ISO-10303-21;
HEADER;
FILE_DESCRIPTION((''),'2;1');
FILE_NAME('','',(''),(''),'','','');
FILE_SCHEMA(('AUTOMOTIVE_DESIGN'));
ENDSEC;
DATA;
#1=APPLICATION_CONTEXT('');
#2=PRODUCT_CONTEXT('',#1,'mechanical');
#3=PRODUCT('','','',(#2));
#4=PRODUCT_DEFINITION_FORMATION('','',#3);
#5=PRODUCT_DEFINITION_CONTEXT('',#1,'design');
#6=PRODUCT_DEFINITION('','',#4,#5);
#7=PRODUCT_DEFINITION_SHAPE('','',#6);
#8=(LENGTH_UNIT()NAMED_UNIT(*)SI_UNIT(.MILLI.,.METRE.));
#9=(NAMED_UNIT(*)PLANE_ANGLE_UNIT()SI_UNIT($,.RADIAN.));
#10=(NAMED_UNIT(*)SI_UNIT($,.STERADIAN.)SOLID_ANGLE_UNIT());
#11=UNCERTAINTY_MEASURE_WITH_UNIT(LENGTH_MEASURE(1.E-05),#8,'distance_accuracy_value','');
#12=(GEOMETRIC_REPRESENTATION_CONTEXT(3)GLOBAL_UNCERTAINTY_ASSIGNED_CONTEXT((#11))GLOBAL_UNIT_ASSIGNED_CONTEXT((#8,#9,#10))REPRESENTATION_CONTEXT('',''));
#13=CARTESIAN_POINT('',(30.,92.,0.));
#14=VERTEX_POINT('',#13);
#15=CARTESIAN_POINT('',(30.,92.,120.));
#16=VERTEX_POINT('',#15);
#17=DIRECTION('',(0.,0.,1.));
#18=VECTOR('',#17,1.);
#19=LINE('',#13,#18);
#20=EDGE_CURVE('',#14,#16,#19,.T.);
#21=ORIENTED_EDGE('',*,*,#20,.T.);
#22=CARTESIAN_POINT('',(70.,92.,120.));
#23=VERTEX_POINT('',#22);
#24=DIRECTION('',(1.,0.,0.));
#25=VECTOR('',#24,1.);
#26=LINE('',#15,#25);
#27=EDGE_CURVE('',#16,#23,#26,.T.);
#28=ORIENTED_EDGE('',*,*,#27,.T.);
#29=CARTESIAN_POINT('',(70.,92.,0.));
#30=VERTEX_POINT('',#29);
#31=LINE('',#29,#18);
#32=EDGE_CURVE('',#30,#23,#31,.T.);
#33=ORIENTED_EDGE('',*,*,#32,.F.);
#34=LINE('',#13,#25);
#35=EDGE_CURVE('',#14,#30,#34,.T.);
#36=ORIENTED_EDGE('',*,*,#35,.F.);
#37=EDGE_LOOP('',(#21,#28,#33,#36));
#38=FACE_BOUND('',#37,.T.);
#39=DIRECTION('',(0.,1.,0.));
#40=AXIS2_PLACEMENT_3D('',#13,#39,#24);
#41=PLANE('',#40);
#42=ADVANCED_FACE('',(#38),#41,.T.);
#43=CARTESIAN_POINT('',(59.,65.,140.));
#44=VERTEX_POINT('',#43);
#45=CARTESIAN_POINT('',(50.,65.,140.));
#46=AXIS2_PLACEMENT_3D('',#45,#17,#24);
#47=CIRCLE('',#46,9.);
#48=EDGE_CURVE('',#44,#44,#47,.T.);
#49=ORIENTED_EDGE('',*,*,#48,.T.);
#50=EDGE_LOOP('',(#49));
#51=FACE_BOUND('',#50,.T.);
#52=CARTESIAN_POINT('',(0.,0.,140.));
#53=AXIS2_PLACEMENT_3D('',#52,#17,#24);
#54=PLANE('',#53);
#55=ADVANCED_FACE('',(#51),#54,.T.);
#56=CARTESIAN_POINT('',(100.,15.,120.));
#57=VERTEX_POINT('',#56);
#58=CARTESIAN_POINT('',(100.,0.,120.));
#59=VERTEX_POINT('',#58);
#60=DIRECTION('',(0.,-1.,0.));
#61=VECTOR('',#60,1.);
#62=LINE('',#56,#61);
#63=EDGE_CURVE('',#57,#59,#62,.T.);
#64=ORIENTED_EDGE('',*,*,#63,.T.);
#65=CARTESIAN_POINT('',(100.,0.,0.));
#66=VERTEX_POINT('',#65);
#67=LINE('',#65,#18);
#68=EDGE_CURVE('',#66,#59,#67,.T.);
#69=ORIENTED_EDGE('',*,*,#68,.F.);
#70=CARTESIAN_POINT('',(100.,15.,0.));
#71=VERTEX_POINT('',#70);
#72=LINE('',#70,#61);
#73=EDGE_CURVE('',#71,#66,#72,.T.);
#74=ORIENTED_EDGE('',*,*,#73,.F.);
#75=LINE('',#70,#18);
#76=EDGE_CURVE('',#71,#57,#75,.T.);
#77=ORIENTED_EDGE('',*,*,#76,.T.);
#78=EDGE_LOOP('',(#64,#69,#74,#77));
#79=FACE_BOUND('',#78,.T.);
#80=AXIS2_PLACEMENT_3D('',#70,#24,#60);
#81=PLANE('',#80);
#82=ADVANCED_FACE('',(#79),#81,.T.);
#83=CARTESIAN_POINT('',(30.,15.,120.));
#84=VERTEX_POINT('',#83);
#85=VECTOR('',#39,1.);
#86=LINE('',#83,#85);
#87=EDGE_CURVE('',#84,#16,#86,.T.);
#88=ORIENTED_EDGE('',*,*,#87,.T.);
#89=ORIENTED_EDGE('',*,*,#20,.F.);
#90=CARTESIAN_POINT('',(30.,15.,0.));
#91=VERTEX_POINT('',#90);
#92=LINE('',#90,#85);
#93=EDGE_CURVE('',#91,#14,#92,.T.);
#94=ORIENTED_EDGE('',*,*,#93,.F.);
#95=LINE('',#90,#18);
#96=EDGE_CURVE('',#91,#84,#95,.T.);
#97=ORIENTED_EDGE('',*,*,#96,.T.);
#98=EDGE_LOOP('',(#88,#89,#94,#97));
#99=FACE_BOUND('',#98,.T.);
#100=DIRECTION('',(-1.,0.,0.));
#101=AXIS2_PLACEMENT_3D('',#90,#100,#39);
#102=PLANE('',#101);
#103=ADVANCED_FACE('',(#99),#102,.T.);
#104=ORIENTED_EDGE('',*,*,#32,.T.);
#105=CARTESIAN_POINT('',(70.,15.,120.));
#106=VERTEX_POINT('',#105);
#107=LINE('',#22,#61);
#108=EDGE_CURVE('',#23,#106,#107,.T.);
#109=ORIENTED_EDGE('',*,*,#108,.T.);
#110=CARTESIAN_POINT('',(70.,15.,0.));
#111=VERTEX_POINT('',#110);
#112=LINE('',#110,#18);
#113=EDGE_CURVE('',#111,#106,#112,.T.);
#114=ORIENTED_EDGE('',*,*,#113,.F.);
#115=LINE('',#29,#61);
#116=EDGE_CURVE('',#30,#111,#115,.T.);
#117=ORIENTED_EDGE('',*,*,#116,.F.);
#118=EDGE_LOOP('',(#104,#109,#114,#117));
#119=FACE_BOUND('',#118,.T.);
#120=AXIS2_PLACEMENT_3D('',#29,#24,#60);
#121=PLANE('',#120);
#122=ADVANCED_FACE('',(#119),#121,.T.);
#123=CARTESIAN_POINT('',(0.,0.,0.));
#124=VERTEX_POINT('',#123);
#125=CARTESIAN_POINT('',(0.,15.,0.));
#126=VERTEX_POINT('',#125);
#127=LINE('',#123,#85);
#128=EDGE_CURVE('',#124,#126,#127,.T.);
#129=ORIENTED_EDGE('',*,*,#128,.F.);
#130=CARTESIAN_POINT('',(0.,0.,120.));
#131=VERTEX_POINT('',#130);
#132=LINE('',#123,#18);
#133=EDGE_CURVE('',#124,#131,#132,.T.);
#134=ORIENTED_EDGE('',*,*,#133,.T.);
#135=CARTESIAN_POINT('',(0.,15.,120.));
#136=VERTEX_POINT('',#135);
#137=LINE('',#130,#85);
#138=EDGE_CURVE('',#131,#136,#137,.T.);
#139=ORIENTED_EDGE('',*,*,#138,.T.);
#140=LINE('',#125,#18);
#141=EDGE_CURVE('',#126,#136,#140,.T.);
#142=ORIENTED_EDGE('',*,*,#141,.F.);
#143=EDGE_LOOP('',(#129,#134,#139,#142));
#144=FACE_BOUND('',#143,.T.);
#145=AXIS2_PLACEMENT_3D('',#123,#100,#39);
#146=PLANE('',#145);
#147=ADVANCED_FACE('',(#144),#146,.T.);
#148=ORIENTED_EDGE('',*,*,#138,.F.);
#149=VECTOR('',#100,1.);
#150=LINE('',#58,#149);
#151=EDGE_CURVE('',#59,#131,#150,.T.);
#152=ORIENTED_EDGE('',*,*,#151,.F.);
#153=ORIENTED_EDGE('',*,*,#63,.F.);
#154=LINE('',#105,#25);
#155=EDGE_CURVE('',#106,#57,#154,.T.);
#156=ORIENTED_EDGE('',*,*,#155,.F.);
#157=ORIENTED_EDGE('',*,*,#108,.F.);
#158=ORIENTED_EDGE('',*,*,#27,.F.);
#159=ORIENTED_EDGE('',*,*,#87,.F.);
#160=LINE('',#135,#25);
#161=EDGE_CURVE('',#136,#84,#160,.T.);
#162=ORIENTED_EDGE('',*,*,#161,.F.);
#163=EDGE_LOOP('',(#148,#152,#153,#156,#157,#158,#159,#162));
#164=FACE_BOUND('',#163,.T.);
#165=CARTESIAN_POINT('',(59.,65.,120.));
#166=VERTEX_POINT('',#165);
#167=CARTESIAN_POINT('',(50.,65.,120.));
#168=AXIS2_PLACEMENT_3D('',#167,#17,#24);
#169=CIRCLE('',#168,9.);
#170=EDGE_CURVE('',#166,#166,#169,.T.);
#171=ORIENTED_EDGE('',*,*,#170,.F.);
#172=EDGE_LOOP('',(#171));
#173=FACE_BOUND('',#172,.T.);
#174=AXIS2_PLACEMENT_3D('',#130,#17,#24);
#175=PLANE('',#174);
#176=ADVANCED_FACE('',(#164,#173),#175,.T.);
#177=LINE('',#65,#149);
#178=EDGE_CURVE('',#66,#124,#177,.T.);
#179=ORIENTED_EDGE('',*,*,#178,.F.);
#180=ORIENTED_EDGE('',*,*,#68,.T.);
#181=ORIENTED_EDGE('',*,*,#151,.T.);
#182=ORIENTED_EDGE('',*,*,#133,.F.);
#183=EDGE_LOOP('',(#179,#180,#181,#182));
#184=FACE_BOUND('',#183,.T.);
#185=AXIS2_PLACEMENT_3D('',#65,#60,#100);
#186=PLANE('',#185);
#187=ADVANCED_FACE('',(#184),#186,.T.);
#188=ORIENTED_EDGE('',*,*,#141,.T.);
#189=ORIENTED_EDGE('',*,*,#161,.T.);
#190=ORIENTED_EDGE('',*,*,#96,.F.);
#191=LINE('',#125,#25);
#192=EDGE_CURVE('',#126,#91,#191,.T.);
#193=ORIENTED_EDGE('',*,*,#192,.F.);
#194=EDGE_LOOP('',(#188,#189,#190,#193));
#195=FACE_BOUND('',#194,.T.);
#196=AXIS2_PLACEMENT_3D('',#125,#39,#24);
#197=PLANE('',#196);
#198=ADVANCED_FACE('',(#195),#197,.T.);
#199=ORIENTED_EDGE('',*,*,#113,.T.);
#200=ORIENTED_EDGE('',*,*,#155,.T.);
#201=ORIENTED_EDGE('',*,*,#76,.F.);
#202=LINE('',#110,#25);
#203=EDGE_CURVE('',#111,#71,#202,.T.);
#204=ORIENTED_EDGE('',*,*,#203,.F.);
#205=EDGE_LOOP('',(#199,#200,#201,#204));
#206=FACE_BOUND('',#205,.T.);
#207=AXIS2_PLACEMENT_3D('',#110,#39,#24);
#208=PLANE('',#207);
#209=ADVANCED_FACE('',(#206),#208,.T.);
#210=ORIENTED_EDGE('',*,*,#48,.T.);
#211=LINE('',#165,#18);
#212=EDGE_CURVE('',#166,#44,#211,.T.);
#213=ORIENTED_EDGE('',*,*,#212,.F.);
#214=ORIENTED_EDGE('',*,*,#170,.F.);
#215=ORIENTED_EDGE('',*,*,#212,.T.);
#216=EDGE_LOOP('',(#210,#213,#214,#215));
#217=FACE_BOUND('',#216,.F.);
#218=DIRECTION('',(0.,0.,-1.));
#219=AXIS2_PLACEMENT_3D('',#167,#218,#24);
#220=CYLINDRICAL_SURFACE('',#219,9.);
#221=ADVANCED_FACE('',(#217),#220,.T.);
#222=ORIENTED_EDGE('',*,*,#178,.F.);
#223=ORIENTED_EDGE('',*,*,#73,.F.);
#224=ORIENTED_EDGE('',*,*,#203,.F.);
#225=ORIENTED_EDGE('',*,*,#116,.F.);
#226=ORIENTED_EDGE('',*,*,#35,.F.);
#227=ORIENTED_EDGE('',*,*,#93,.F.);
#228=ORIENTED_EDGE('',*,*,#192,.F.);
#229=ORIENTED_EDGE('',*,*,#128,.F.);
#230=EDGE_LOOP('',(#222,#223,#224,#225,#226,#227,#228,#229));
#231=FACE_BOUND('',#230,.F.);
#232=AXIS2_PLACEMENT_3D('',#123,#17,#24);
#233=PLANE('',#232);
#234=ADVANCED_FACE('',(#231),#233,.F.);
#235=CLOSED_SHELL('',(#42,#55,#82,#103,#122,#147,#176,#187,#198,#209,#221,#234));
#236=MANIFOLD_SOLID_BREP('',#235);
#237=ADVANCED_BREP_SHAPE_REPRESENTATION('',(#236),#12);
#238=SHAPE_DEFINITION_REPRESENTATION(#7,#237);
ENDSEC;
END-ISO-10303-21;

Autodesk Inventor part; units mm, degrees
ref_plane "YZ Plane" through (0, 0, 0) normal (1, 0, 0) x (0, 1, 0)
ref_plane "XZ Plane" through (0, 0, 0) normal (0, 1, 0) x (-1, 0, 0)
ref_plane "XY Plane" through (0, 0, 0) normal (0, 0, 1) x (1, 0, 0)
sketch "Sketch1" plane through (0, 0, 0) normal (0, 0, 1) x (1, 0, 0)
  line L0 (0, 0) -> (0, 15)
  line L1 (0, 15) -> (30, 15)
  line L2 (30, 15) -> (30, 92)
  line L3 (30, 92) -> (70, 92)
  line L4 (70, 92) -> (70, 15)
  line L5 (70, 15) -> (100, 15)
  line L6 (100, 15) -> (100, 0)
  line L7 (100, 0) -> (0, 0)
  dimension "d0" = 15
  dimension "d1" = 92
  dimension "d2" = 40
  dimension "d3" = 100
extrude "Extrusion1" add sketch "Sketch1" along normal blind 120
sketch "Sketch2" plane through (0, 0, 120) normal (0, 0, 1) x (1, 0, 0)
  circle A0 centre (50, 65) radius 9
  line L0 (0, 0) -> (100, 0) projected
  line L1 (50, 65) -> (50, 0) construction
  line L2 (0, 0) -> (100, 0) construction
  dimension "d6" = 65
  dimension "d7" = 18
extrude "Extrusion2" add sketch "Sketch2" along normal blind 20
properties part number "Tailstock"
